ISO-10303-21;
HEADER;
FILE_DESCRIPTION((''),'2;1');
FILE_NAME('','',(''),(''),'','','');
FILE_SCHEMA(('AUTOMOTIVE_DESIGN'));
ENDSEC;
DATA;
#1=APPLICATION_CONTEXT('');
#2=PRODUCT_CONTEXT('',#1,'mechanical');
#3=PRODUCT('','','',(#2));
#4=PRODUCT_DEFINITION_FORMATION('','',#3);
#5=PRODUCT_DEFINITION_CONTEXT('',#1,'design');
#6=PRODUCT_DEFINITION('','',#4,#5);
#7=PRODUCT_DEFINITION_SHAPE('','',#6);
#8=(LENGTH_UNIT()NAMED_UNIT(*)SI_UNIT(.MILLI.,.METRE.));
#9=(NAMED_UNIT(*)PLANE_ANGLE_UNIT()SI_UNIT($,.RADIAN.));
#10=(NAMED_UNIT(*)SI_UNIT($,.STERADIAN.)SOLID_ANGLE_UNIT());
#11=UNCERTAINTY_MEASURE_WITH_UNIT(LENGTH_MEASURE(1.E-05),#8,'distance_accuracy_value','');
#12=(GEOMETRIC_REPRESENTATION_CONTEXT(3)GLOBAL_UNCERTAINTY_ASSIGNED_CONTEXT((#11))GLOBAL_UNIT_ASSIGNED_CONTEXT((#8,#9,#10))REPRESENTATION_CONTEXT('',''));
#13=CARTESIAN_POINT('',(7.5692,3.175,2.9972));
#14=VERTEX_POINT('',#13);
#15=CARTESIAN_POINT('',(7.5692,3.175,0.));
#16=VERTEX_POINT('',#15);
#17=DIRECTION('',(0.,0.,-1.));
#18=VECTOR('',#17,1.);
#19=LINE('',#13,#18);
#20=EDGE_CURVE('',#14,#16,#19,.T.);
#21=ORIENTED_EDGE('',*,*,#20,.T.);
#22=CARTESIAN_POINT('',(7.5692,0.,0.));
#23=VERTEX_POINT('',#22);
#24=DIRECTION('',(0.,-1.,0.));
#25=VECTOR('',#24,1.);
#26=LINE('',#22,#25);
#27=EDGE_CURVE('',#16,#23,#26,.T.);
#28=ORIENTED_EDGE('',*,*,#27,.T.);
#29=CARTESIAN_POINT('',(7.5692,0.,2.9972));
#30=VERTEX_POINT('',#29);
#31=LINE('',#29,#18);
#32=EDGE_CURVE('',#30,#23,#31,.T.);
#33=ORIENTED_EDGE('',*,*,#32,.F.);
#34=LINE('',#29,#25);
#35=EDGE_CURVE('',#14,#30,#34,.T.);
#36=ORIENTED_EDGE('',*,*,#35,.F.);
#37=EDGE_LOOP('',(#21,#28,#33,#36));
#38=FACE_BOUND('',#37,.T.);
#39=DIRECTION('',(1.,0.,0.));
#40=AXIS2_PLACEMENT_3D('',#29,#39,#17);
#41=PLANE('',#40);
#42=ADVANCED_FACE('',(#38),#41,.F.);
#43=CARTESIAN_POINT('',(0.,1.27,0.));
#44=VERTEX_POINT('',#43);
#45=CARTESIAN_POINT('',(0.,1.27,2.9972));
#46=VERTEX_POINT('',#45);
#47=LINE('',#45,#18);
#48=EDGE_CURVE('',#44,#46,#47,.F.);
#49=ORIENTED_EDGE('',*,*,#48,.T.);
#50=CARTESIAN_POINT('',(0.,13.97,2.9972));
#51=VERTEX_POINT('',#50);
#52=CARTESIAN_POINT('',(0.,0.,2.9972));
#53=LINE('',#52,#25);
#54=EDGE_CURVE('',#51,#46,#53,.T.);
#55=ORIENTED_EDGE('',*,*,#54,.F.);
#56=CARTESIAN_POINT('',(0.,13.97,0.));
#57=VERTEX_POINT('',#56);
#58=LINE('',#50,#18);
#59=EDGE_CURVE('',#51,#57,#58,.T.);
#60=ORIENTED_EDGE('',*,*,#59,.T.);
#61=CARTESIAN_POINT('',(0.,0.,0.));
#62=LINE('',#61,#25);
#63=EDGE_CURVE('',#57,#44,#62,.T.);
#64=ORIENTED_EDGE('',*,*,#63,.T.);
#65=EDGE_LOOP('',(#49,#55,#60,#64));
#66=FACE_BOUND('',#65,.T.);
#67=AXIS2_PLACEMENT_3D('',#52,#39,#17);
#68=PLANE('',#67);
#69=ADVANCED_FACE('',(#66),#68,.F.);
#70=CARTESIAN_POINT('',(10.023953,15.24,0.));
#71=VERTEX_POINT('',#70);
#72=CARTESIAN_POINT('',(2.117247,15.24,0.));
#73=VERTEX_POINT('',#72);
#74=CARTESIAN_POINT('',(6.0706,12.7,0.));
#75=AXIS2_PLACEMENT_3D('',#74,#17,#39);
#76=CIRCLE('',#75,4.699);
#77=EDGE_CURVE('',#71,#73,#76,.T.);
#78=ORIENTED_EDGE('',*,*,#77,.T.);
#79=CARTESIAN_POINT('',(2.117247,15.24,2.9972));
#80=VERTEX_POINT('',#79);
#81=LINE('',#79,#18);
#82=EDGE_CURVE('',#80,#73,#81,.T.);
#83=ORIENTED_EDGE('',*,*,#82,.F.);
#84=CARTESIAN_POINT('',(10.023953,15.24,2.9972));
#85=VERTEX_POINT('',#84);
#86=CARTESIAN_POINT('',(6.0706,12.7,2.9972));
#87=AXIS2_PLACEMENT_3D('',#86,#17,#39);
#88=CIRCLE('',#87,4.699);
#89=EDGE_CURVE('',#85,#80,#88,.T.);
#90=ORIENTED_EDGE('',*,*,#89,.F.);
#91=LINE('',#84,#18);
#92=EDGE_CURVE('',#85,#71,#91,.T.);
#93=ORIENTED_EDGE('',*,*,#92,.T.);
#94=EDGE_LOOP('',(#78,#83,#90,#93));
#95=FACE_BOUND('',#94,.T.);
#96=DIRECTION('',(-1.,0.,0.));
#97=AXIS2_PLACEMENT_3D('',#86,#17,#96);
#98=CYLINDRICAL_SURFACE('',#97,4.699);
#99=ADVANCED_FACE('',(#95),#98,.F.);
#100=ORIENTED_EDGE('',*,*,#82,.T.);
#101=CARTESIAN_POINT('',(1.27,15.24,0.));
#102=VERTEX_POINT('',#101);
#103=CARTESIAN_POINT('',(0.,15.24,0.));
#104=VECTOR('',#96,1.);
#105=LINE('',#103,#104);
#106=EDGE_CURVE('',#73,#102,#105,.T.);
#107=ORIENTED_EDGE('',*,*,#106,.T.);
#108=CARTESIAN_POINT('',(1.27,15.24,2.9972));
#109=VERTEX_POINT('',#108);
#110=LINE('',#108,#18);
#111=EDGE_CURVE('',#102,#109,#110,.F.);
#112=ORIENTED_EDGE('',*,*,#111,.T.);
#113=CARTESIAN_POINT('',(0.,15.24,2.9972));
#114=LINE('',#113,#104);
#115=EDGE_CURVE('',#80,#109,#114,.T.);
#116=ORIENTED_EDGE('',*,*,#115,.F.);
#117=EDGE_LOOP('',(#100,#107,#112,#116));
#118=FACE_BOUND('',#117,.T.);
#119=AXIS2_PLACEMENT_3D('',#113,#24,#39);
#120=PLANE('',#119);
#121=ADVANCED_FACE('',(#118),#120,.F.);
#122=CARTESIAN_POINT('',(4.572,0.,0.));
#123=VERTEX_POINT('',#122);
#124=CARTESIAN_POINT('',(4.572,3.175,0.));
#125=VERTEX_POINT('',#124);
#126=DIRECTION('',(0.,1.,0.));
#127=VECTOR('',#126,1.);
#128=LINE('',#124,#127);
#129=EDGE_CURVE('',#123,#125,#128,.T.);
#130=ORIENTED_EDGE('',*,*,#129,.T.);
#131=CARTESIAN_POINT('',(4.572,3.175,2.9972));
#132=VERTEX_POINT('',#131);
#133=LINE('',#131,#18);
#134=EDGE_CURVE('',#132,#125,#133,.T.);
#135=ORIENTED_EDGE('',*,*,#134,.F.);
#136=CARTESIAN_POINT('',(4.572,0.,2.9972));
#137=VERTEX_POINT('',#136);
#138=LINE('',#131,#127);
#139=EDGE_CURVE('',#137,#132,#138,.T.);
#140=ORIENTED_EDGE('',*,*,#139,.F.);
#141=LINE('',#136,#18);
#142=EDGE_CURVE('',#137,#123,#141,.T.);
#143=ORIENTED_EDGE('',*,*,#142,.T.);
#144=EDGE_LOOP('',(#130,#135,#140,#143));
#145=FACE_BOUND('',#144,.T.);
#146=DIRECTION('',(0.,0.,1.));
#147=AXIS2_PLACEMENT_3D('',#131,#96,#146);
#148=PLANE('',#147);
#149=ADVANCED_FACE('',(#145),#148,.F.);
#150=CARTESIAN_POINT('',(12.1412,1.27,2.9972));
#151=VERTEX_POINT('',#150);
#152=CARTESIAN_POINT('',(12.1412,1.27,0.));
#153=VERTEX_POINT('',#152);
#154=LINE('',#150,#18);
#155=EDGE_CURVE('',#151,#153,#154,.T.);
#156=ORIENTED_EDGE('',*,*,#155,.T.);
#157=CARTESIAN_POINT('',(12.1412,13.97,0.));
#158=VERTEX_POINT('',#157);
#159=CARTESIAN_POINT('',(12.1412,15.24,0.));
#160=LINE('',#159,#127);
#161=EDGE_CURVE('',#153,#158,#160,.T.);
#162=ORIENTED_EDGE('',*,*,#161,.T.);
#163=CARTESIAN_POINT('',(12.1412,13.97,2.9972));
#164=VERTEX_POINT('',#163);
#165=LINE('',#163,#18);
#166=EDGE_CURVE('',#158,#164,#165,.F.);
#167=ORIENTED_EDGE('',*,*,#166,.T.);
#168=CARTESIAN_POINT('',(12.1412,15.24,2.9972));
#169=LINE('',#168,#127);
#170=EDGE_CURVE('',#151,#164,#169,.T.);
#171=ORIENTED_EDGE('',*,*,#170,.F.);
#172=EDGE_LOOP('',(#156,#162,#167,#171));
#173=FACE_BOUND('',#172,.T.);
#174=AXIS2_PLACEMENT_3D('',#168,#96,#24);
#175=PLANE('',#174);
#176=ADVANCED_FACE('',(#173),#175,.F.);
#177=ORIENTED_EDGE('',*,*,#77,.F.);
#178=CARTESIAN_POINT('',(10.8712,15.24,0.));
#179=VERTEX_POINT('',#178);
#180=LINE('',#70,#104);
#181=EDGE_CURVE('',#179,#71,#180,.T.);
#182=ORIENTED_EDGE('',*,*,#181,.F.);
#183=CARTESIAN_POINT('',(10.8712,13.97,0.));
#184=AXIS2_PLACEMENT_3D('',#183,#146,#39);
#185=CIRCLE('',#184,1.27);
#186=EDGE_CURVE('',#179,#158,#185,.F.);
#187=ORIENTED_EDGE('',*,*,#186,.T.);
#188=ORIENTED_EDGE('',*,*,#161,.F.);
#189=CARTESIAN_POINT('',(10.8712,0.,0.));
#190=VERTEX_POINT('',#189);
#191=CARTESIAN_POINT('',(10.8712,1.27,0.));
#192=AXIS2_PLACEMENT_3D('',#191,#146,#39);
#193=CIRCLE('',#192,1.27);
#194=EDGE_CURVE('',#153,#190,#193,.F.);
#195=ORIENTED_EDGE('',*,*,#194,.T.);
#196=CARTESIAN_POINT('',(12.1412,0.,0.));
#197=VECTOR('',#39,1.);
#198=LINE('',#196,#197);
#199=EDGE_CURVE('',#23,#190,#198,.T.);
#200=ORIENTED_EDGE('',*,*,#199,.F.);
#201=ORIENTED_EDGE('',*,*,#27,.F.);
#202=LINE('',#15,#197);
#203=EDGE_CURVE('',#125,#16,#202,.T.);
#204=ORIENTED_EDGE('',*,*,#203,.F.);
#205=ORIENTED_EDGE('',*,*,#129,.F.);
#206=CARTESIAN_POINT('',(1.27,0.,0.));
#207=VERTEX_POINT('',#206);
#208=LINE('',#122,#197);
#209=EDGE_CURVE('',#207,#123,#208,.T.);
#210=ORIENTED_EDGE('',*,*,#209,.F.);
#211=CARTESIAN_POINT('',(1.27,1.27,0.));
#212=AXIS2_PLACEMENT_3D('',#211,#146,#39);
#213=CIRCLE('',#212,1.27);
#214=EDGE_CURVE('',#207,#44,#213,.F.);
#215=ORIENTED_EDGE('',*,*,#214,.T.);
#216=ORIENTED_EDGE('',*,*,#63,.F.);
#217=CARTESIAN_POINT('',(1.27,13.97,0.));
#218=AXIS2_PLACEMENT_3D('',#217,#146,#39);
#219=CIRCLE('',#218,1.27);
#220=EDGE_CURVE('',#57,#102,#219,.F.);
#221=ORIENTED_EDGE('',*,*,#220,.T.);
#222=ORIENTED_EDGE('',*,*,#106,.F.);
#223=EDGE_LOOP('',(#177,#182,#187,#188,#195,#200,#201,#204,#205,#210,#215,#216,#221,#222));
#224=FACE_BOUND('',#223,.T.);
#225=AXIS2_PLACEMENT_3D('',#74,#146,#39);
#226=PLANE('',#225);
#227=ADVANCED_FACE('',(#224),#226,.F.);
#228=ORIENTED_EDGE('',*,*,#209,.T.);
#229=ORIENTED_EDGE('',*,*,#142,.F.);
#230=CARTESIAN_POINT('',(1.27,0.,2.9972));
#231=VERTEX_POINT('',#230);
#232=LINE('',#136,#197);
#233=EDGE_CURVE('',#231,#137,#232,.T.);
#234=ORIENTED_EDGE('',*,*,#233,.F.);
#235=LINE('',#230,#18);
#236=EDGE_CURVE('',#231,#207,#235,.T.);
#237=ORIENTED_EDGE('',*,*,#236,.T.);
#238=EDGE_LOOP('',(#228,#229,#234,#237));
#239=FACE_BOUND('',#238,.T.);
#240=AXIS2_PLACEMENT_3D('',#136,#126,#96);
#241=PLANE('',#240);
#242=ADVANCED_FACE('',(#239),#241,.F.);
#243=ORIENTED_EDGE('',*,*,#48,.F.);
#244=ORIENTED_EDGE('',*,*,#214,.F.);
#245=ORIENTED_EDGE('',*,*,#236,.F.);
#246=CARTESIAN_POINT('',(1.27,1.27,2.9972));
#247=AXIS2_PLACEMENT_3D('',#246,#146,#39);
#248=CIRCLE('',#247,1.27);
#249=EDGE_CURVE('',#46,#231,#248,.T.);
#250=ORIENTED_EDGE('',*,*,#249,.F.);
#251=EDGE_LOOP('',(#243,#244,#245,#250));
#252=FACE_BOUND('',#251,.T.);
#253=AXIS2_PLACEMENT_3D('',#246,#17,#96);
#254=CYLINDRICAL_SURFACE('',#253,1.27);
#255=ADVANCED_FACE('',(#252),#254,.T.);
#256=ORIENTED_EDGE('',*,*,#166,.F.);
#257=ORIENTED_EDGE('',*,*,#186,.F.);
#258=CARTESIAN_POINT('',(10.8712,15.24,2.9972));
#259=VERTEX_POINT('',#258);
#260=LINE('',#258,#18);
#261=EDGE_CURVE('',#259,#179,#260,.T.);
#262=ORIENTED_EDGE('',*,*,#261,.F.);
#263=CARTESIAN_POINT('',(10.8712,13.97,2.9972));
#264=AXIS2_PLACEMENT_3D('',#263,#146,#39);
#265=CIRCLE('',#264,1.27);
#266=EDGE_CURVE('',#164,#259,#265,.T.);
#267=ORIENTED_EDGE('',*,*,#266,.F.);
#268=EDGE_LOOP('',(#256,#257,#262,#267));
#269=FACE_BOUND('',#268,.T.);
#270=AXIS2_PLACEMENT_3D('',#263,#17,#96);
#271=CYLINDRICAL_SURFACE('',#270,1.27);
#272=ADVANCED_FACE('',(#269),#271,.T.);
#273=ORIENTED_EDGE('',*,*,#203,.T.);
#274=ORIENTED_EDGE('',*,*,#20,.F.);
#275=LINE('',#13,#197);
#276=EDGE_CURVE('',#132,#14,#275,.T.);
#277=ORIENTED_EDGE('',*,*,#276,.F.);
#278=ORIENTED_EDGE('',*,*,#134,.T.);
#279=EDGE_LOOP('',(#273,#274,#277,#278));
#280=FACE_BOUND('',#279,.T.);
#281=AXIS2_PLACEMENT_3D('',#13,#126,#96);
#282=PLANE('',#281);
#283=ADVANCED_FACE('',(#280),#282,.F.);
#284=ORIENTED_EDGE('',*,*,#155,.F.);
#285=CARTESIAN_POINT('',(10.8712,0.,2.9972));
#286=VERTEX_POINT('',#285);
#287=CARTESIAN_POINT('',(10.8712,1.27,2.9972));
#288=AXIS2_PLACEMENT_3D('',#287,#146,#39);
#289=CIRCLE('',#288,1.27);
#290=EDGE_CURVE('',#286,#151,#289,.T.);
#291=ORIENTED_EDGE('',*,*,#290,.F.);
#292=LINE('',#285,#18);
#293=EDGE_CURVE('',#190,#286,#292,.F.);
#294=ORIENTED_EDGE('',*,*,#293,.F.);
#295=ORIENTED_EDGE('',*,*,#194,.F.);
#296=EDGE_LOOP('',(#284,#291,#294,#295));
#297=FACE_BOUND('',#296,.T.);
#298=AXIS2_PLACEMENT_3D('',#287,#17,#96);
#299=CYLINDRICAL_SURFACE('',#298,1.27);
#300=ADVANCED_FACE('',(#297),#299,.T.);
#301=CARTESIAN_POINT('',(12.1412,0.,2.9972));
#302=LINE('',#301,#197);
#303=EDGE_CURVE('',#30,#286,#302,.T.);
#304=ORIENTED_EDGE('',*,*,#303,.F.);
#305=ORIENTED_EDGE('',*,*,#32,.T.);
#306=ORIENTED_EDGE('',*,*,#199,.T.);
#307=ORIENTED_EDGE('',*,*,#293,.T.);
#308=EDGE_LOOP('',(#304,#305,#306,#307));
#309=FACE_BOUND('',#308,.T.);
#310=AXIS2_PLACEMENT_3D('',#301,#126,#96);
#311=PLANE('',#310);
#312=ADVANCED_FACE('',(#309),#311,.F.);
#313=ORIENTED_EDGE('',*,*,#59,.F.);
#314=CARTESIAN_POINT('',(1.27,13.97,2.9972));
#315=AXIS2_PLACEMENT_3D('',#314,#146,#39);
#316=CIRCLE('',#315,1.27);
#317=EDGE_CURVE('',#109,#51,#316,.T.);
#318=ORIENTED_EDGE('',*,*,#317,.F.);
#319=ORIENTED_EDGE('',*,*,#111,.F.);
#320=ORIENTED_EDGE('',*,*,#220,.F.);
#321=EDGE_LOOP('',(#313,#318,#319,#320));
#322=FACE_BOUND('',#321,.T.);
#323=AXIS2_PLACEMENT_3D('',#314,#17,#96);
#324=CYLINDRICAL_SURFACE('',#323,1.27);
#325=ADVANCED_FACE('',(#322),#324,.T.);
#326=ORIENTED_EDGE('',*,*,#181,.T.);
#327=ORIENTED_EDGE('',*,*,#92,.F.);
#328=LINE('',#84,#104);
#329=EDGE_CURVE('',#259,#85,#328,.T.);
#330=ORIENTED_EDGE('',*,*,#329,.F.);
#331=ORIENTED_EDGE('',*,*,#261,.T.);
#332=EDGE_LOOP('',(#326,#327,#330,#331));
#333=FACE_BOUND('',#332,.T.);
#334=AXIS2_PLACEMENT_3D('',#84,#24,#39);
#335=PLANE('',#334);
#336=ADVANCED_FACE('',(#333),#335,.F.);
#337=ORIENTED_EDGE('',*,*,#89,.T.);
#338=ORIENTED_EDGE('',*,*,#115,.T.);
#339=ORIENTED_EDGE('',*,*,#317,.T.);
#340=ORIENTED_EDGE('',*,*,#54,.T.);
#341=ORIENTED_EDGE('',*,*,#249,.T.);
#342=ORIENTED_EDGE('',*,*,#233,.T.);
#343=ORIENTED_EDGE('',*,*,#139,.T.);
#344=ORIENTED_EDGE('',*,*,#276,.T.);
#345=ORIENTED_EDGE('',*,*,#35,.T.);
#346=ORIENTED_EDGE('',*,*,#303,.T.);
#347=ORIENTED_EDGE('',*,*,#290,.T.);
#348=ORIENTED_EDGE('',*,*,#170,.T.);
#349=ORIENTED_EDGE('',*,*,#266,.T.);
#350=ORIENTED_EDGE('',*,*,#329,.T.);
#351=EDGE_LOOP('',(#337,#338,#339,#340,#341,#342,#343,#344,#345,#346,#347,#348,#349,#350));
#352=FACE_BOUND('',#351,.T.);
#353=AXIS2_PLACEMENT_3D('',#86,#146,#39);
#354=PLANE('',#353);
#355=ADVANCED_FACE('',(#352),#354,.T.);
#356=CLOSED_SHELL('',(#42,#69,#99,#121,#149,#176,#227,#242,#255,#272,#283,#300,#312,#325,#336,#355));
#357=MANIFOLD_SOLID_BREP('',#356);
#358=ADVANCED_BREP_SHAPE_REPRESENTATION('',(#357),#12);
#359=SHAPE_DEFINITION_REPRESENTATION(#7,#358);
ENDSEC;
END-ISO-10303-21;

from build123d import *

# Parameters (mm, degrees)
BOSS_EXTRUDE1_DEPTH = 2.9972
FILLET1_R           = 1.27


with BuildPart() as part:
    # Sketch1 → Boss-Extrude1 (new body)
    with BuildSketch(Plane.XY):
        with BuildLine():
            Line((0, 0), (0, 15.24))
            Line((0, 15.24), (2.117246866, 15.24))
            ThreePointArc((2.117246866, 15.24), (6.0706, 8.001), (10.023953134, 15.24))
            Line((10.023953134, 15.24), (12.1412, 15.24))
            Line((12.1412, 15.24), (12.1412, 0))
            Line((12.1412, 0), (7.5692, 0))
            Line((7.5692, 0), (7.5692, 3.175))
            Line((7.5692, 3.175), (4.572, 3.175))
            Line((4.572, 3.175), (4.572, 0))
            Line((4.572, 0), (0, 0))
        make_face()
    extrude(amount=BOSS_EXTRUDE1_DEPTH)

    # Fillet1
    fillet1_edges = [part.edges().sort_by_distance(p)[0] for p in [
        (0, 0, 1.4986),
        (0, 15.24, 1.4986),
        (12.1412, 15.24, 1.4986),
        (12.1412, 0, 1.4986),
    ]]
    fillet(fillet1_edges, radius=FILLET1_R)


solid = part.part
